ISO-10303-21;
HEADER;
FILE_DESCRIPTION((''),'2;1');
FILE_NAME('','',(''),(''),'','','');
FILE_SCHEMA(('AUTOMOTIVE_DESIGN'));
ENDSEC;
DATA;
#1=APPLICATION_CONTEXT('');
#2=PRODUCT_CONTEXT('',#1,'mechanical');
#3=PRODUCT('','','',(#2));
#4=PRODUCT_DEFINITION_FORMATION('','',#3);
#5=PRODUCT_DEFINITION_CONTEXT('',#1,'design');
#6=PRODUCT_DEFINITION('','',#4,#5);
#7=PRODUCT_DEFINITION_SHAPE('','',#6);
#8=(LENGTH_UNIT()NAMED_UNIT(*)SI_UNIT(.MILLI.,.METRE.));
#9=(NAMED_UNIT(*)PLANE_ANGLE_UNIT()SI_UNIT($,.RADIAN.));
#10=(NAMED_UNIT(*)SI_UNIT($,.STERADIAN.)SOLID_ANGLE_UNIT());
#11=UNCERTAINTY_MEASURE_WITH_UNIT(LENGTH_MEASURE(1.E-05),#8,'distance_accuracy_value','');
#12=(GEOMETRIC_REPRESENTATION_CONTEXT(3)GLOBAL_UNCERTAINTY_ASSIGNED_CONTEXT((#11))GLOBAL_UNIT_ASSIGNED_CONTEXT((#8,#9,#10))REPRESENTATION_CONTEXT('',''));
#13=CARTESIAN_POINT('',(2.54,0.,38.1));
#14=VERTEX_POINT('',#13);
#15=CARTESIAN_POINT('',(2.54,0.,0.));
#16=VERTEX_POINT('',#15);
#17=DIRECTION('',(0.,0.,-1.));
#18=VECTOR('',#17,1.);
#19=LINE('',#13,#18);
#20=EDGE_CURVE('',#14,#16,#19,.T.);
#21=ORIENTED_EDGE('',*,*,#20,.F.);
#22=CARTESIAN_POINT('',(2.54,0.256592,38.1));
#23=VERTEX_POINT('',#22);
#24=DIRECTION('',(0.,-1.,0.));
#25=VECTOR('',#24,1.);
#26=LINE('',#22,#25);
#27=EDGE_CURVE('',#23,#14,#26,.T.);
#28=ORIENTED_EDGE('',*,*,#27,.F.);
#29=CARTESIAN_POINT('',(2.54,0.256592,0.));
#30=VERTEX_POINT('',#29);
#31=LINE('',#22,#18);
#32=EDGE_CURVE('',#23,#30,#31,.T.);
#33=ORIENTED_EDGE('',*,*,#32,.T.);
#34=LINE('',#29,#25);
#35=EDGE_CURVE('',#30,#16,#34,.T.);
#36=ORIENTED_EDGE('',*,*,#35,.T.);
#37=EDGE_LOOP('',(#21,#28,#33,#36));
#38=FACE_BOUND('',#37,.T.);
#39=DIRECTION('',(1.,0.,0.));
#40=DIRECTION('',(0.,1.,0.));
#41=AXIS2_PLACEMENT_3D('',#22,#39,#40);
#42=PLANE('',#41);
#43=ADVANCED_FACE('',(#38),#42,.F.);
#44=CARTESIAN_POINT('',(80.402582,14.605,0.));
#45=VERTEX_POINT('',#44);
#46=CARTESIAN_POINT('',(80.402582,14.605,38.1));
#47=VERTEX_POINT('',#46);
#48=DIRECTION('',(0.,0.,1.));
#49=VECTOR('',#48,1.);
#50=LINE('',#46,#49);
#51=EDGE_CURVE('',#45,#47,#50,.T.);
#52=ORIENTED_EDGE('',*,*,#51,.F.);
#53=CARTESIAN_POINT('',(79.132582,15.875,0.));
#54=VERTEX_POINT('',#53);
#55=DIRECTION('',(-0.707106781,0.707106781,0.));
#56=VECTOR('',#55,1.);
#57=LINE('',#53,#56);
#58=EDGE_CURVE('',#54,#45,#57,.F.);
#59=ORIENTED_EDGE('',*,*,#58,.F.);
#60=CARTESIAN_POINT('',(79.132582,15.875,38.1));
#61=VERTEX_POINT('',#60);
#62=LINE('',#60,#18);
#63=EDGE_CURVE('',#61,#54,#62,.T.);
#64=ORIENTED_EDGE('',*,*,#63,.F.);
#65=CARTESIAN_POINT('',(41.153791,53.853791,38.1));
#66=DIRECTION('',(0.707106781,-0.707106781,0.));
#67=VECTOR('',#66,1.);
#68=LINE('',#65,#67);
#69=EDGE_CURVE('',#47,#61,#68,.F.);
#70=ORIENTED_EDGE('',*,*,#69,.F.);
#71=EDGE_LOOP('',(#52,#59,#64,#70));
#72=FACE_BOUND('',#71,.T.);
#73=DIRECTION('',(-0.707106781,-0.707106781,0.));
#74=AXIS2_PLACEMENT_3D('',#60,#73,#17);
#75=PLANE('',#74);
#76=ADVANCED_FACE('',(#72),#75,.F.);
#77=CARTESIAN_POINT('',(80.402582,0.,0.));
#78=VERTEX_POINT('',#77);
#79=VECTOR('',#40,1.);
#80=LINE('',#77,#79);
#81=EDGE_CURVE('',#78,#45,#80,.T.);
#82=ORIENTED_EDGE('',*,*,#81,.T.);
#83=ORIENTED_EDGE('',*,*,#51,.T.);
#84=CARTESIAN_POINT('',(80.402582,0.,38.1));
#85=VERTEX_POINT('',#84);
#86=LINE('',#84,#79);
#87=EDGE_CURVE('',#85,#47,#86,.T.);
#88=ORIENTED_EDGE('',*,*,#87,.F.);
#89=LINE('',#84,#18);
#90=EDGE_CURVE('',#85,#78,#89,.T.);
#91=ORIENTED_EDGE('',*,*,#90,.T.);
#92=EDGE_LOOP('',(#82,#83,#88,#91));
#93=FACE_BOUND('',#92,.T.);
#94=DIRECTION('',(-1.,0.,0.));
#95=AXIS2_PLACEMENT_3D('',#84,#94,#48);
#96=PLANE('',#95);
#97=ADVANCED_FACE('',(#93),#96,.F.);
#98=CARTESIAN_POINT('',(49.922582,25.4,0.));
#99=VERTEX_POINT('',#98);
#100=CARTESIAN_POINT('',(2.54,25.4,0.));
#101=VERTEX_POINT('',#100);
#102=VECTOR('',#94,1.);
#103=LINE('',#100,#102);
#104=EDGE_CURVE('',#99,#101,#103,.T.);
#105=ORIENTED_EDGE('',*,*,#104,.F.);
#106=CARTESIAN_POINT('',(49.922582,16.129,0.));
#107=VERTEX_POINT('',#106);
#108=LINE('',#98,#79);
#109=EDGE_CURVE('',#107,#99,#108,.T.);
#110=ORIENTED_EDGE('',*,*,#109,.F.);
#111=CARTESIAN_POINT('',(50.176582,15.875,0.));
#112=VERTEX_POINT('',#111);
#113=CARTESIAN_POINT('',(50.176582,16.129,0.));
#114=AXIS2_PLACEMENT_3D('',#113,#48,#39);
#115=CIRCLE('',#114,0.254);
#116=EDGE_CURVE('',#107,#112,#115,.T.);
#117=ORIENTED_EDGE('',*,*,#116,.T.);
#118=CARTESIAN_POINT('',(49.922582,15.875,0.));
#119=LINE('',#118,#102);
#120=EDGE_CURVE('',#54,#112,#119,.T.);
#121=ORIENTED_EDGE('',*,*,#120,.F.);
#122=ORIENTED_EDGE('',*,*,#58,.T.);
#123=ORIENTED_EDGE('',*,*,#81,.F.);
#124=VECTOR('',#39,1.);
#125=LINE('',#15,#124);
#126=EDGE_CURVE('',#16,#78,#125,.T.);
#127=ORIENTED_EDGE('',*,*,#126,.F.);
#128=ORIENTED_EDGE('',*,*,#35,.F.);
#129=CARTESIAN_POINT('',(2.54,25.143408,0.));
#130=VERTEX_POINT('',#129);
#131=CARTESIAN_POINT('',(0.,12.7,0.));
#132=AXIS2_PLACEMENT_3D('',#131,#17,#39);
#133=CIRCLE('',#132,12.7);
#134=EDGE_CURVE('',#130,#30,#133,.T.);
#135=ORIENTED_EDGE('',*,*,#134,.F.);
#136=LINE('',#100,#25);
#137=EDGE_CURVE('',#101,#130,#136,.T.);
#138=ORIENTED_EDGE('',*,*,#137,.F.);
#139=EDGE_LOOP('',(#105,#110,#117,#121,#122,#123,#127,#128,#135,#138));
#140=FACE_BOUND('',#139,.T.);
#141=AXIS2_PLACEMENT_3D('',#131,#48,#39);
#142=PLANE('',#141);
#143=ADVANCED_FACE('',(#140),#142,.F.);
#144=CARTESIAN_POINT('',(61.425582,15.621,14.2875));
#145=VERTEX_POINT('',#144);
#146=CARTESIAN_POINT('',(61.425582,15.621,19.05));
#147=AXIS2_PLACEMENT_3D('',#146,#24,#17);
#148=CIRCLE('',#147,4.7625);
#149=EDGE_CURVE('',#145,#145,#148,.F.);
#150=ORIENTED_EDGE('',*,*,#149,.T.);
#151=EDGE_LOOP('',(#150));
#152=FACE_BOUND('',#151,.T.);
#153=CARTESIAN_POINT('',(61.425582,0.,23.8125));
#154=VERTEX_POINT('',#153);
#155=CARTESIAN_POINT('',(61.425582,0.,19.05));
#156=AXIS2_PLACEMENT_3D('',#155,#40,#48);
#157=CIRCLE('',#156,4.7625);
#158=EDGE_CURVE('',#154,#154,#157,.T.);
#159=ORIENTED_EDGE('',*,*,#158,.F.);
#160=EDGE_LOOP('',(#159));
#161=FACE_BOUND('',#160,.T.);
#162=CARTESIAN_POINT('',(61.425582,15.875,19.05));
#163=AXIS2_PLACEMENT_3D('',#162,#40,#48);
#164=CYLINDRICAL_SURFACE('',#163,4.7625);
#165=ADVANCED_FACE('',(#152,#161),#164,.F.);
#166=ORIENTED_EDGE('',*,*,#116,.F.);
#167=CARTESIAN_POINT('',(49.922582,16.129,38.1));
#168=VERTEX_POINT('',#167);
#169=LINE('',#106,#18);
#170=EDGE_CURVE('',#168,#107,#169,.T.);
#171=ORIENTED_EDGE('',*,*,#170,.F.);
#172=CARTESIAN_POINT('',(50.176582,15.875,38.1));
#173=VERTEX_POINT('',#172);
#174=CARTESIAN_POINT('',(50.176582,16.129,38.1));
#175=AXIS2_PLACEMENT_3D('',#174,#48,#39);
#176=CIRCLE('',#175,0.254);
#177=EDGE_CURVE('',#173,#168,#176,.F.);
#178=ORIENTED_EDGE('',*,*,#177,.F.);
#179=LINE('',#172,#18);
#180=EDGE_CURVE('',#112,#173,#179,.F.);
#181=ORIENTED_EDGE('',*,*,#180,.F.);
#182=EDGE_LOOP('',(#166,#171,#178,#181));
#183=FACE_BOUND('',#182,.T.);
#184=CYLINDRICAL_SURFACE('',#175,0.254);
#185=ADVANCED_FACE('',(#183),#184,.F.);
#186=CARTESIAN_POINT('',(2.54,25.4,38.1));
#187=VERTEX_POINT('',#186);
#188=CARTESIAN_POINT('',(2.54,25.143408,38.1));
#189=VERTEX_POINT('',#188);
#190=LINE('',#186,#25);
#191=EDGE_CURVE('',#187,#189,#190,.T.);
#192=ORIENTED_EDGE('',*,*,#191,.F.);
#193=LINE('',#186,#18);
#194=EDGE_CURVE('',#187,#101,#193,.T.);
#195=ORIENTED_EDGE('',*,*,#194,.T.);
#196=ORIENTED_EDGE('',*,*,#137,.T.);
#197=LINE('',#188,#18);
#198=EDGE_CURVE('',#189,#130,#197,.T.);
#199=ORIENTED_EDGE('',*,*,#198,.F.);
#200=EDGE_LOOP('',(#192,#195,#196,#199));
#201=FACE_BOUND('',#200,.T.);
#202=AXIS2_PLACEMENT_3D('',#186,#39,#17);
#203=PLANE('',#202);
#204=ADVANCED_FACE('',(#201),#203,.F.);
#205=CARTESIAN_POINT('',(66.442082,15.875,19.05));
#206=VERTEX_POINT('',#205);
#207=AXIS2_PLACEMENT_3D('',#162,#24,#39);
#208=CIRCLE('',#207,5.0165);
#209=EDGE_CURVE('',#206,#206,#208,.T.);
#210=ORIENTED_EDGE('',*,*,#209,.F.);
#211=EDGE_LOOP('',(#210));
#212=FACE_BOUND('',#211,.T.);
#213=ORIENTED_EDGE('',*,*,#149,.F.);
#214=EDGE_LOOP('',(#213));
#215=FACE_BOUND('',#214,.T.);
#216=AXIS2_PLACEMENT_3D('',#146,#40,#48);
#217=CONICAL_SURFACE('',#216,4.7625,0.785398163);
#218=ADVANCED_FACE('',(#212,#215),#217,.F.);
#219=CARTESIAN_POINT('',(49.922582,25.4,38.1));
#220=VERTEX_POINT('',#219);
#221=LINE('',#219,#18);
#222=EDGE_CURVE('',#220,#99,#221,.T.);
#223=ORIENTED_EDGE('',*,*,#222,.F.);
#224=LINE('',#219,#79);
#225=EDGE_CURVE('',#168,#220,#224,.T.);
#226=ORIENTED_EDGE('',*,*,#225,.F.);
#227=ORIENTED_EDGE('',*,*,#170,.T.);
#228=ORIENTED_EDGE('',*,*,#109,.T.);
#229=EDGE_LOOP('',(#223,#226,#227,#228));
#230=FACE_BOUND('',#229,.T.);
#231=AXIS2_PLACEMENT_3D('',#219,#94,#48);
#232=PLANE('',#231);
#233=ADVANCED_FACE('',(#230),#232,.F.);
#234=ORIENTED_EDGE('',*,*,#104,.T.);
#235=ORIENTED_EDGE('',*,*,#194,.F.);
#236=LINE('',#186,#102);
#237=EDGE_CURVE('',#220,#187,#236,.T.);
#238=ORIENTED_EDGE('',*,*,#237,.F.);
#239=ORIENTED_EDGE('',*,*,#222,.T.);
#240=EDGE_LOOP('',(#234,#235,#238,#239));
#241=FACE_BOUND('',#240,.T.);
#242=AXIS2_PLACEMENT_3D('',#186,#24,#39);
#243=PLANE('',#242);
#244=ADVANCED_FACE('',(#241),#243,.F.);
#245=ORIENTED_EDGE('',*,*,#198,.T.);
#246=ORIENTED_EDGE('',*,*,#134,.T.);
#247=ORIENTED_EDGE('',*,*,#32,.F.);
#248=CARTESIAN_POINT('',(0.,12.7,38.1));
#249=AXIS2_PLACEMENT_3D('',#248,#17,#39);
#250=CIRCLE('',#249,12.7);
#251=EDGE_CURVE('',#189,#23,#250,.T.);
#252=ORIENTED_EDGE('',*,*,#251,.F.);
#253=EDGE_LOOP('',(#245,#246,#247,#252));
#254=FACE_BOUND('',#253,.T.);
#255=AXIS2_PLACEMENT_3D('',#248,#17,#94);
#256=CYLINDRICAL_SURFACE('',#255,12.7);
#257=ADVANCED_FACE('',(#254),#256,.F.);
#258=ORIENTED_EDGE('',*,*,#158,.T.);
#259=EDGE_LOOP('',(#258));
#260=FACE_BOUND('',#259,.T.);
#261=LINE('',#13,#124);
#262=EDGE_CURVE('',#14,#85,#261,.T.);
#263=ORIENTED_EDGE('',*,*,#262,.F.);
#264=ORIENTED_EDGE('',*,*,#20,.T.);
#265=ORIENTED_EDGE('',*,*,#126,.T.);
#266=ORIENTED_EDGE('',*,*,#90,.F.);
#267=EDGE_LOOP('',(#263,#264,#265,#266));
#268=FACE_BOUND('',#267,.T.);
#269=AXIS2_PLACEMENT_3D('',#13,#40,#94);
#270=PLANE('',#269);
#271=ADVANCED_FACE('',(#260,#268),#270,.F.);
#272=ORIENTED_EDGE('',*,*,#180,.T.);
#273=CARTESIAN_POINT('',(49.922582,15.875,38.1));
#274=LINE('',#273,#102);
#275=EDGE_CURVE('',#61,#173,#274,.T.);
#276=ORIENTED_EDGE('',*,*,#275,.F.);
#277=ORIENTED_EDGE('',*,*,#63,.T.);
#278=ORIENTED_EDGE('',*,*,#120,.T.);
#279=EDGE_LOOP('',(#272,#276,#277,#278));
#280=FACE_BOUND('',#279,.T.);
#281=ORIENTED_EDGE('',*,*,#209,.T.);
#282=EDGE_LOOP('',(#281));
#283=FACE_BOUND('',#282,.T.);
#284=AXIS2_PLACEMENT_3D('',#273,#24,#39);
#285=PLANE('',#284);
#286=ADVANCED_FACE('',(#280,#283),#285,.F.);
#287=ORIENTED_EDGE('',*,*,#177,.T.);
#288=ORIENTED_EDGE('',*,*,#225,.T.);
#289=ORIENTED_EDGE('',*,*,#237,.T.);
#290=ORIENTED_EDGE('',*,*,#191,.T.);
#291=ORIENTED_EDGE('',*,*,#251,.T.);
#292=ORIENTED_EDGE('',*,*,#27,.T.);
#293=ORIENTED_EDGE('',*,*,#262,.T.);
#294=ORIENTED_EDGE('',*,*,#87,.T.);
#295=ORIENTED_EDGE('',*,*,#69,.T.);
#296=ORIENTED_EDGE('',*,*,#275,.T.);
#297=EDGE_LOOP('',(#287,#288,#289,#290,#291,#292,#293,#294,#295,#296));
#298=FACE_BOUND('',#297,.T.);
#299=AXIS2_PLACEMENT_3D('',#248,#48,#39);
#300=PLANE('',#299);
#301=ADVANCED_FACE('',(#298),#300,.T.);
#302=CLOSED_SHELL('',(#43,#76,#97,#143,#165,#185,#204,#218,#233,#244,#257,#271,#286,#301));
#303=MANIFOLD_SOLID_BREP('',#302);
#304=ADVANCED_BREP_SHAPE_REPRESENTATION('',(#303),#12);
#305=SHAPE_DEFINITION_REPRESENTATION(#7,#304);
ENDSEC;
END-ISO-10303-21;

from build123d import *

# Parameters (mm, degrees)
BOSS_EXTRUDE1_DEPTH          = 38.1
F_3_8_0_375_DIAMETER_HOLE1_D = 9.525
CHAMFER1_SIZE                = 1.27
CHAMFER2_SIZE                = 0.254
FILLET1_R                    = 0.254


with BuildPart() as part:
    # Sketch1 → Boss-Extrude1 (new body)
    with BuildSketch(Plane.XY):
        with BuildLine():
            Line((2.54, 0), (80.402581892, 0))
            Line((80.402581892, 0), (80.402581892, 15.875))
            Line((80.402581892, 15.875), (49.922581892, 15.875))
            Line((49.922581892, 15.875), (49.922581892, 25.4))
            Line((49.922581892, 25.4), (2.54, 25.4))
            Line((2.54, 25.4), (2.54, 25.143407893))
            ThreePointArc((2.54, 25.143407893), (12.7, 12.7), (2.54, 0.256592107))
            Line((2.54, 0.256592107), (2.54, 0))
        make_face()
    extrude(amount=BOSS_EXTRUDE1_DEPTH)

    # 3/8 (0.375) Diameter Hole1 (through all)
    with Locations(Plane(origin=(0, 15.875, 0), x_dir=(1, 0, 0), z_dir=(0, 1, 0))):
        with Locations((61.425582, -19.05)):
            Hole(F_3_8_0_375_DIAMETER_HOLE1_D / 2)

    # Chamfer1
    chamfer1_edges = [part.edges().sort_by_distance(p)[0] for p in [
        (80.402581892, 15.875, 19.05),
    ]]
    chamfer(chamfer1_edges, length=CHAMFER1_SIZE)

    # Chamfer2
    chamfer2_edges = [part.edges().sort_by_distance(p)[0] for p in [
        (66.188082, 15.875, 19.05),
    ]]
    chamfer(chamfer2_edges, length=CHAMFER2_SIZE)

    # Fillet1
    fillet1_edges = [part.edges().sort_by_distance(p)[0] for p in [
        (49.922581892, 15.875, 19.05),
    ]]
    fillet(fillet1_edges, radius=FILLET1_R)


solid = part.part
